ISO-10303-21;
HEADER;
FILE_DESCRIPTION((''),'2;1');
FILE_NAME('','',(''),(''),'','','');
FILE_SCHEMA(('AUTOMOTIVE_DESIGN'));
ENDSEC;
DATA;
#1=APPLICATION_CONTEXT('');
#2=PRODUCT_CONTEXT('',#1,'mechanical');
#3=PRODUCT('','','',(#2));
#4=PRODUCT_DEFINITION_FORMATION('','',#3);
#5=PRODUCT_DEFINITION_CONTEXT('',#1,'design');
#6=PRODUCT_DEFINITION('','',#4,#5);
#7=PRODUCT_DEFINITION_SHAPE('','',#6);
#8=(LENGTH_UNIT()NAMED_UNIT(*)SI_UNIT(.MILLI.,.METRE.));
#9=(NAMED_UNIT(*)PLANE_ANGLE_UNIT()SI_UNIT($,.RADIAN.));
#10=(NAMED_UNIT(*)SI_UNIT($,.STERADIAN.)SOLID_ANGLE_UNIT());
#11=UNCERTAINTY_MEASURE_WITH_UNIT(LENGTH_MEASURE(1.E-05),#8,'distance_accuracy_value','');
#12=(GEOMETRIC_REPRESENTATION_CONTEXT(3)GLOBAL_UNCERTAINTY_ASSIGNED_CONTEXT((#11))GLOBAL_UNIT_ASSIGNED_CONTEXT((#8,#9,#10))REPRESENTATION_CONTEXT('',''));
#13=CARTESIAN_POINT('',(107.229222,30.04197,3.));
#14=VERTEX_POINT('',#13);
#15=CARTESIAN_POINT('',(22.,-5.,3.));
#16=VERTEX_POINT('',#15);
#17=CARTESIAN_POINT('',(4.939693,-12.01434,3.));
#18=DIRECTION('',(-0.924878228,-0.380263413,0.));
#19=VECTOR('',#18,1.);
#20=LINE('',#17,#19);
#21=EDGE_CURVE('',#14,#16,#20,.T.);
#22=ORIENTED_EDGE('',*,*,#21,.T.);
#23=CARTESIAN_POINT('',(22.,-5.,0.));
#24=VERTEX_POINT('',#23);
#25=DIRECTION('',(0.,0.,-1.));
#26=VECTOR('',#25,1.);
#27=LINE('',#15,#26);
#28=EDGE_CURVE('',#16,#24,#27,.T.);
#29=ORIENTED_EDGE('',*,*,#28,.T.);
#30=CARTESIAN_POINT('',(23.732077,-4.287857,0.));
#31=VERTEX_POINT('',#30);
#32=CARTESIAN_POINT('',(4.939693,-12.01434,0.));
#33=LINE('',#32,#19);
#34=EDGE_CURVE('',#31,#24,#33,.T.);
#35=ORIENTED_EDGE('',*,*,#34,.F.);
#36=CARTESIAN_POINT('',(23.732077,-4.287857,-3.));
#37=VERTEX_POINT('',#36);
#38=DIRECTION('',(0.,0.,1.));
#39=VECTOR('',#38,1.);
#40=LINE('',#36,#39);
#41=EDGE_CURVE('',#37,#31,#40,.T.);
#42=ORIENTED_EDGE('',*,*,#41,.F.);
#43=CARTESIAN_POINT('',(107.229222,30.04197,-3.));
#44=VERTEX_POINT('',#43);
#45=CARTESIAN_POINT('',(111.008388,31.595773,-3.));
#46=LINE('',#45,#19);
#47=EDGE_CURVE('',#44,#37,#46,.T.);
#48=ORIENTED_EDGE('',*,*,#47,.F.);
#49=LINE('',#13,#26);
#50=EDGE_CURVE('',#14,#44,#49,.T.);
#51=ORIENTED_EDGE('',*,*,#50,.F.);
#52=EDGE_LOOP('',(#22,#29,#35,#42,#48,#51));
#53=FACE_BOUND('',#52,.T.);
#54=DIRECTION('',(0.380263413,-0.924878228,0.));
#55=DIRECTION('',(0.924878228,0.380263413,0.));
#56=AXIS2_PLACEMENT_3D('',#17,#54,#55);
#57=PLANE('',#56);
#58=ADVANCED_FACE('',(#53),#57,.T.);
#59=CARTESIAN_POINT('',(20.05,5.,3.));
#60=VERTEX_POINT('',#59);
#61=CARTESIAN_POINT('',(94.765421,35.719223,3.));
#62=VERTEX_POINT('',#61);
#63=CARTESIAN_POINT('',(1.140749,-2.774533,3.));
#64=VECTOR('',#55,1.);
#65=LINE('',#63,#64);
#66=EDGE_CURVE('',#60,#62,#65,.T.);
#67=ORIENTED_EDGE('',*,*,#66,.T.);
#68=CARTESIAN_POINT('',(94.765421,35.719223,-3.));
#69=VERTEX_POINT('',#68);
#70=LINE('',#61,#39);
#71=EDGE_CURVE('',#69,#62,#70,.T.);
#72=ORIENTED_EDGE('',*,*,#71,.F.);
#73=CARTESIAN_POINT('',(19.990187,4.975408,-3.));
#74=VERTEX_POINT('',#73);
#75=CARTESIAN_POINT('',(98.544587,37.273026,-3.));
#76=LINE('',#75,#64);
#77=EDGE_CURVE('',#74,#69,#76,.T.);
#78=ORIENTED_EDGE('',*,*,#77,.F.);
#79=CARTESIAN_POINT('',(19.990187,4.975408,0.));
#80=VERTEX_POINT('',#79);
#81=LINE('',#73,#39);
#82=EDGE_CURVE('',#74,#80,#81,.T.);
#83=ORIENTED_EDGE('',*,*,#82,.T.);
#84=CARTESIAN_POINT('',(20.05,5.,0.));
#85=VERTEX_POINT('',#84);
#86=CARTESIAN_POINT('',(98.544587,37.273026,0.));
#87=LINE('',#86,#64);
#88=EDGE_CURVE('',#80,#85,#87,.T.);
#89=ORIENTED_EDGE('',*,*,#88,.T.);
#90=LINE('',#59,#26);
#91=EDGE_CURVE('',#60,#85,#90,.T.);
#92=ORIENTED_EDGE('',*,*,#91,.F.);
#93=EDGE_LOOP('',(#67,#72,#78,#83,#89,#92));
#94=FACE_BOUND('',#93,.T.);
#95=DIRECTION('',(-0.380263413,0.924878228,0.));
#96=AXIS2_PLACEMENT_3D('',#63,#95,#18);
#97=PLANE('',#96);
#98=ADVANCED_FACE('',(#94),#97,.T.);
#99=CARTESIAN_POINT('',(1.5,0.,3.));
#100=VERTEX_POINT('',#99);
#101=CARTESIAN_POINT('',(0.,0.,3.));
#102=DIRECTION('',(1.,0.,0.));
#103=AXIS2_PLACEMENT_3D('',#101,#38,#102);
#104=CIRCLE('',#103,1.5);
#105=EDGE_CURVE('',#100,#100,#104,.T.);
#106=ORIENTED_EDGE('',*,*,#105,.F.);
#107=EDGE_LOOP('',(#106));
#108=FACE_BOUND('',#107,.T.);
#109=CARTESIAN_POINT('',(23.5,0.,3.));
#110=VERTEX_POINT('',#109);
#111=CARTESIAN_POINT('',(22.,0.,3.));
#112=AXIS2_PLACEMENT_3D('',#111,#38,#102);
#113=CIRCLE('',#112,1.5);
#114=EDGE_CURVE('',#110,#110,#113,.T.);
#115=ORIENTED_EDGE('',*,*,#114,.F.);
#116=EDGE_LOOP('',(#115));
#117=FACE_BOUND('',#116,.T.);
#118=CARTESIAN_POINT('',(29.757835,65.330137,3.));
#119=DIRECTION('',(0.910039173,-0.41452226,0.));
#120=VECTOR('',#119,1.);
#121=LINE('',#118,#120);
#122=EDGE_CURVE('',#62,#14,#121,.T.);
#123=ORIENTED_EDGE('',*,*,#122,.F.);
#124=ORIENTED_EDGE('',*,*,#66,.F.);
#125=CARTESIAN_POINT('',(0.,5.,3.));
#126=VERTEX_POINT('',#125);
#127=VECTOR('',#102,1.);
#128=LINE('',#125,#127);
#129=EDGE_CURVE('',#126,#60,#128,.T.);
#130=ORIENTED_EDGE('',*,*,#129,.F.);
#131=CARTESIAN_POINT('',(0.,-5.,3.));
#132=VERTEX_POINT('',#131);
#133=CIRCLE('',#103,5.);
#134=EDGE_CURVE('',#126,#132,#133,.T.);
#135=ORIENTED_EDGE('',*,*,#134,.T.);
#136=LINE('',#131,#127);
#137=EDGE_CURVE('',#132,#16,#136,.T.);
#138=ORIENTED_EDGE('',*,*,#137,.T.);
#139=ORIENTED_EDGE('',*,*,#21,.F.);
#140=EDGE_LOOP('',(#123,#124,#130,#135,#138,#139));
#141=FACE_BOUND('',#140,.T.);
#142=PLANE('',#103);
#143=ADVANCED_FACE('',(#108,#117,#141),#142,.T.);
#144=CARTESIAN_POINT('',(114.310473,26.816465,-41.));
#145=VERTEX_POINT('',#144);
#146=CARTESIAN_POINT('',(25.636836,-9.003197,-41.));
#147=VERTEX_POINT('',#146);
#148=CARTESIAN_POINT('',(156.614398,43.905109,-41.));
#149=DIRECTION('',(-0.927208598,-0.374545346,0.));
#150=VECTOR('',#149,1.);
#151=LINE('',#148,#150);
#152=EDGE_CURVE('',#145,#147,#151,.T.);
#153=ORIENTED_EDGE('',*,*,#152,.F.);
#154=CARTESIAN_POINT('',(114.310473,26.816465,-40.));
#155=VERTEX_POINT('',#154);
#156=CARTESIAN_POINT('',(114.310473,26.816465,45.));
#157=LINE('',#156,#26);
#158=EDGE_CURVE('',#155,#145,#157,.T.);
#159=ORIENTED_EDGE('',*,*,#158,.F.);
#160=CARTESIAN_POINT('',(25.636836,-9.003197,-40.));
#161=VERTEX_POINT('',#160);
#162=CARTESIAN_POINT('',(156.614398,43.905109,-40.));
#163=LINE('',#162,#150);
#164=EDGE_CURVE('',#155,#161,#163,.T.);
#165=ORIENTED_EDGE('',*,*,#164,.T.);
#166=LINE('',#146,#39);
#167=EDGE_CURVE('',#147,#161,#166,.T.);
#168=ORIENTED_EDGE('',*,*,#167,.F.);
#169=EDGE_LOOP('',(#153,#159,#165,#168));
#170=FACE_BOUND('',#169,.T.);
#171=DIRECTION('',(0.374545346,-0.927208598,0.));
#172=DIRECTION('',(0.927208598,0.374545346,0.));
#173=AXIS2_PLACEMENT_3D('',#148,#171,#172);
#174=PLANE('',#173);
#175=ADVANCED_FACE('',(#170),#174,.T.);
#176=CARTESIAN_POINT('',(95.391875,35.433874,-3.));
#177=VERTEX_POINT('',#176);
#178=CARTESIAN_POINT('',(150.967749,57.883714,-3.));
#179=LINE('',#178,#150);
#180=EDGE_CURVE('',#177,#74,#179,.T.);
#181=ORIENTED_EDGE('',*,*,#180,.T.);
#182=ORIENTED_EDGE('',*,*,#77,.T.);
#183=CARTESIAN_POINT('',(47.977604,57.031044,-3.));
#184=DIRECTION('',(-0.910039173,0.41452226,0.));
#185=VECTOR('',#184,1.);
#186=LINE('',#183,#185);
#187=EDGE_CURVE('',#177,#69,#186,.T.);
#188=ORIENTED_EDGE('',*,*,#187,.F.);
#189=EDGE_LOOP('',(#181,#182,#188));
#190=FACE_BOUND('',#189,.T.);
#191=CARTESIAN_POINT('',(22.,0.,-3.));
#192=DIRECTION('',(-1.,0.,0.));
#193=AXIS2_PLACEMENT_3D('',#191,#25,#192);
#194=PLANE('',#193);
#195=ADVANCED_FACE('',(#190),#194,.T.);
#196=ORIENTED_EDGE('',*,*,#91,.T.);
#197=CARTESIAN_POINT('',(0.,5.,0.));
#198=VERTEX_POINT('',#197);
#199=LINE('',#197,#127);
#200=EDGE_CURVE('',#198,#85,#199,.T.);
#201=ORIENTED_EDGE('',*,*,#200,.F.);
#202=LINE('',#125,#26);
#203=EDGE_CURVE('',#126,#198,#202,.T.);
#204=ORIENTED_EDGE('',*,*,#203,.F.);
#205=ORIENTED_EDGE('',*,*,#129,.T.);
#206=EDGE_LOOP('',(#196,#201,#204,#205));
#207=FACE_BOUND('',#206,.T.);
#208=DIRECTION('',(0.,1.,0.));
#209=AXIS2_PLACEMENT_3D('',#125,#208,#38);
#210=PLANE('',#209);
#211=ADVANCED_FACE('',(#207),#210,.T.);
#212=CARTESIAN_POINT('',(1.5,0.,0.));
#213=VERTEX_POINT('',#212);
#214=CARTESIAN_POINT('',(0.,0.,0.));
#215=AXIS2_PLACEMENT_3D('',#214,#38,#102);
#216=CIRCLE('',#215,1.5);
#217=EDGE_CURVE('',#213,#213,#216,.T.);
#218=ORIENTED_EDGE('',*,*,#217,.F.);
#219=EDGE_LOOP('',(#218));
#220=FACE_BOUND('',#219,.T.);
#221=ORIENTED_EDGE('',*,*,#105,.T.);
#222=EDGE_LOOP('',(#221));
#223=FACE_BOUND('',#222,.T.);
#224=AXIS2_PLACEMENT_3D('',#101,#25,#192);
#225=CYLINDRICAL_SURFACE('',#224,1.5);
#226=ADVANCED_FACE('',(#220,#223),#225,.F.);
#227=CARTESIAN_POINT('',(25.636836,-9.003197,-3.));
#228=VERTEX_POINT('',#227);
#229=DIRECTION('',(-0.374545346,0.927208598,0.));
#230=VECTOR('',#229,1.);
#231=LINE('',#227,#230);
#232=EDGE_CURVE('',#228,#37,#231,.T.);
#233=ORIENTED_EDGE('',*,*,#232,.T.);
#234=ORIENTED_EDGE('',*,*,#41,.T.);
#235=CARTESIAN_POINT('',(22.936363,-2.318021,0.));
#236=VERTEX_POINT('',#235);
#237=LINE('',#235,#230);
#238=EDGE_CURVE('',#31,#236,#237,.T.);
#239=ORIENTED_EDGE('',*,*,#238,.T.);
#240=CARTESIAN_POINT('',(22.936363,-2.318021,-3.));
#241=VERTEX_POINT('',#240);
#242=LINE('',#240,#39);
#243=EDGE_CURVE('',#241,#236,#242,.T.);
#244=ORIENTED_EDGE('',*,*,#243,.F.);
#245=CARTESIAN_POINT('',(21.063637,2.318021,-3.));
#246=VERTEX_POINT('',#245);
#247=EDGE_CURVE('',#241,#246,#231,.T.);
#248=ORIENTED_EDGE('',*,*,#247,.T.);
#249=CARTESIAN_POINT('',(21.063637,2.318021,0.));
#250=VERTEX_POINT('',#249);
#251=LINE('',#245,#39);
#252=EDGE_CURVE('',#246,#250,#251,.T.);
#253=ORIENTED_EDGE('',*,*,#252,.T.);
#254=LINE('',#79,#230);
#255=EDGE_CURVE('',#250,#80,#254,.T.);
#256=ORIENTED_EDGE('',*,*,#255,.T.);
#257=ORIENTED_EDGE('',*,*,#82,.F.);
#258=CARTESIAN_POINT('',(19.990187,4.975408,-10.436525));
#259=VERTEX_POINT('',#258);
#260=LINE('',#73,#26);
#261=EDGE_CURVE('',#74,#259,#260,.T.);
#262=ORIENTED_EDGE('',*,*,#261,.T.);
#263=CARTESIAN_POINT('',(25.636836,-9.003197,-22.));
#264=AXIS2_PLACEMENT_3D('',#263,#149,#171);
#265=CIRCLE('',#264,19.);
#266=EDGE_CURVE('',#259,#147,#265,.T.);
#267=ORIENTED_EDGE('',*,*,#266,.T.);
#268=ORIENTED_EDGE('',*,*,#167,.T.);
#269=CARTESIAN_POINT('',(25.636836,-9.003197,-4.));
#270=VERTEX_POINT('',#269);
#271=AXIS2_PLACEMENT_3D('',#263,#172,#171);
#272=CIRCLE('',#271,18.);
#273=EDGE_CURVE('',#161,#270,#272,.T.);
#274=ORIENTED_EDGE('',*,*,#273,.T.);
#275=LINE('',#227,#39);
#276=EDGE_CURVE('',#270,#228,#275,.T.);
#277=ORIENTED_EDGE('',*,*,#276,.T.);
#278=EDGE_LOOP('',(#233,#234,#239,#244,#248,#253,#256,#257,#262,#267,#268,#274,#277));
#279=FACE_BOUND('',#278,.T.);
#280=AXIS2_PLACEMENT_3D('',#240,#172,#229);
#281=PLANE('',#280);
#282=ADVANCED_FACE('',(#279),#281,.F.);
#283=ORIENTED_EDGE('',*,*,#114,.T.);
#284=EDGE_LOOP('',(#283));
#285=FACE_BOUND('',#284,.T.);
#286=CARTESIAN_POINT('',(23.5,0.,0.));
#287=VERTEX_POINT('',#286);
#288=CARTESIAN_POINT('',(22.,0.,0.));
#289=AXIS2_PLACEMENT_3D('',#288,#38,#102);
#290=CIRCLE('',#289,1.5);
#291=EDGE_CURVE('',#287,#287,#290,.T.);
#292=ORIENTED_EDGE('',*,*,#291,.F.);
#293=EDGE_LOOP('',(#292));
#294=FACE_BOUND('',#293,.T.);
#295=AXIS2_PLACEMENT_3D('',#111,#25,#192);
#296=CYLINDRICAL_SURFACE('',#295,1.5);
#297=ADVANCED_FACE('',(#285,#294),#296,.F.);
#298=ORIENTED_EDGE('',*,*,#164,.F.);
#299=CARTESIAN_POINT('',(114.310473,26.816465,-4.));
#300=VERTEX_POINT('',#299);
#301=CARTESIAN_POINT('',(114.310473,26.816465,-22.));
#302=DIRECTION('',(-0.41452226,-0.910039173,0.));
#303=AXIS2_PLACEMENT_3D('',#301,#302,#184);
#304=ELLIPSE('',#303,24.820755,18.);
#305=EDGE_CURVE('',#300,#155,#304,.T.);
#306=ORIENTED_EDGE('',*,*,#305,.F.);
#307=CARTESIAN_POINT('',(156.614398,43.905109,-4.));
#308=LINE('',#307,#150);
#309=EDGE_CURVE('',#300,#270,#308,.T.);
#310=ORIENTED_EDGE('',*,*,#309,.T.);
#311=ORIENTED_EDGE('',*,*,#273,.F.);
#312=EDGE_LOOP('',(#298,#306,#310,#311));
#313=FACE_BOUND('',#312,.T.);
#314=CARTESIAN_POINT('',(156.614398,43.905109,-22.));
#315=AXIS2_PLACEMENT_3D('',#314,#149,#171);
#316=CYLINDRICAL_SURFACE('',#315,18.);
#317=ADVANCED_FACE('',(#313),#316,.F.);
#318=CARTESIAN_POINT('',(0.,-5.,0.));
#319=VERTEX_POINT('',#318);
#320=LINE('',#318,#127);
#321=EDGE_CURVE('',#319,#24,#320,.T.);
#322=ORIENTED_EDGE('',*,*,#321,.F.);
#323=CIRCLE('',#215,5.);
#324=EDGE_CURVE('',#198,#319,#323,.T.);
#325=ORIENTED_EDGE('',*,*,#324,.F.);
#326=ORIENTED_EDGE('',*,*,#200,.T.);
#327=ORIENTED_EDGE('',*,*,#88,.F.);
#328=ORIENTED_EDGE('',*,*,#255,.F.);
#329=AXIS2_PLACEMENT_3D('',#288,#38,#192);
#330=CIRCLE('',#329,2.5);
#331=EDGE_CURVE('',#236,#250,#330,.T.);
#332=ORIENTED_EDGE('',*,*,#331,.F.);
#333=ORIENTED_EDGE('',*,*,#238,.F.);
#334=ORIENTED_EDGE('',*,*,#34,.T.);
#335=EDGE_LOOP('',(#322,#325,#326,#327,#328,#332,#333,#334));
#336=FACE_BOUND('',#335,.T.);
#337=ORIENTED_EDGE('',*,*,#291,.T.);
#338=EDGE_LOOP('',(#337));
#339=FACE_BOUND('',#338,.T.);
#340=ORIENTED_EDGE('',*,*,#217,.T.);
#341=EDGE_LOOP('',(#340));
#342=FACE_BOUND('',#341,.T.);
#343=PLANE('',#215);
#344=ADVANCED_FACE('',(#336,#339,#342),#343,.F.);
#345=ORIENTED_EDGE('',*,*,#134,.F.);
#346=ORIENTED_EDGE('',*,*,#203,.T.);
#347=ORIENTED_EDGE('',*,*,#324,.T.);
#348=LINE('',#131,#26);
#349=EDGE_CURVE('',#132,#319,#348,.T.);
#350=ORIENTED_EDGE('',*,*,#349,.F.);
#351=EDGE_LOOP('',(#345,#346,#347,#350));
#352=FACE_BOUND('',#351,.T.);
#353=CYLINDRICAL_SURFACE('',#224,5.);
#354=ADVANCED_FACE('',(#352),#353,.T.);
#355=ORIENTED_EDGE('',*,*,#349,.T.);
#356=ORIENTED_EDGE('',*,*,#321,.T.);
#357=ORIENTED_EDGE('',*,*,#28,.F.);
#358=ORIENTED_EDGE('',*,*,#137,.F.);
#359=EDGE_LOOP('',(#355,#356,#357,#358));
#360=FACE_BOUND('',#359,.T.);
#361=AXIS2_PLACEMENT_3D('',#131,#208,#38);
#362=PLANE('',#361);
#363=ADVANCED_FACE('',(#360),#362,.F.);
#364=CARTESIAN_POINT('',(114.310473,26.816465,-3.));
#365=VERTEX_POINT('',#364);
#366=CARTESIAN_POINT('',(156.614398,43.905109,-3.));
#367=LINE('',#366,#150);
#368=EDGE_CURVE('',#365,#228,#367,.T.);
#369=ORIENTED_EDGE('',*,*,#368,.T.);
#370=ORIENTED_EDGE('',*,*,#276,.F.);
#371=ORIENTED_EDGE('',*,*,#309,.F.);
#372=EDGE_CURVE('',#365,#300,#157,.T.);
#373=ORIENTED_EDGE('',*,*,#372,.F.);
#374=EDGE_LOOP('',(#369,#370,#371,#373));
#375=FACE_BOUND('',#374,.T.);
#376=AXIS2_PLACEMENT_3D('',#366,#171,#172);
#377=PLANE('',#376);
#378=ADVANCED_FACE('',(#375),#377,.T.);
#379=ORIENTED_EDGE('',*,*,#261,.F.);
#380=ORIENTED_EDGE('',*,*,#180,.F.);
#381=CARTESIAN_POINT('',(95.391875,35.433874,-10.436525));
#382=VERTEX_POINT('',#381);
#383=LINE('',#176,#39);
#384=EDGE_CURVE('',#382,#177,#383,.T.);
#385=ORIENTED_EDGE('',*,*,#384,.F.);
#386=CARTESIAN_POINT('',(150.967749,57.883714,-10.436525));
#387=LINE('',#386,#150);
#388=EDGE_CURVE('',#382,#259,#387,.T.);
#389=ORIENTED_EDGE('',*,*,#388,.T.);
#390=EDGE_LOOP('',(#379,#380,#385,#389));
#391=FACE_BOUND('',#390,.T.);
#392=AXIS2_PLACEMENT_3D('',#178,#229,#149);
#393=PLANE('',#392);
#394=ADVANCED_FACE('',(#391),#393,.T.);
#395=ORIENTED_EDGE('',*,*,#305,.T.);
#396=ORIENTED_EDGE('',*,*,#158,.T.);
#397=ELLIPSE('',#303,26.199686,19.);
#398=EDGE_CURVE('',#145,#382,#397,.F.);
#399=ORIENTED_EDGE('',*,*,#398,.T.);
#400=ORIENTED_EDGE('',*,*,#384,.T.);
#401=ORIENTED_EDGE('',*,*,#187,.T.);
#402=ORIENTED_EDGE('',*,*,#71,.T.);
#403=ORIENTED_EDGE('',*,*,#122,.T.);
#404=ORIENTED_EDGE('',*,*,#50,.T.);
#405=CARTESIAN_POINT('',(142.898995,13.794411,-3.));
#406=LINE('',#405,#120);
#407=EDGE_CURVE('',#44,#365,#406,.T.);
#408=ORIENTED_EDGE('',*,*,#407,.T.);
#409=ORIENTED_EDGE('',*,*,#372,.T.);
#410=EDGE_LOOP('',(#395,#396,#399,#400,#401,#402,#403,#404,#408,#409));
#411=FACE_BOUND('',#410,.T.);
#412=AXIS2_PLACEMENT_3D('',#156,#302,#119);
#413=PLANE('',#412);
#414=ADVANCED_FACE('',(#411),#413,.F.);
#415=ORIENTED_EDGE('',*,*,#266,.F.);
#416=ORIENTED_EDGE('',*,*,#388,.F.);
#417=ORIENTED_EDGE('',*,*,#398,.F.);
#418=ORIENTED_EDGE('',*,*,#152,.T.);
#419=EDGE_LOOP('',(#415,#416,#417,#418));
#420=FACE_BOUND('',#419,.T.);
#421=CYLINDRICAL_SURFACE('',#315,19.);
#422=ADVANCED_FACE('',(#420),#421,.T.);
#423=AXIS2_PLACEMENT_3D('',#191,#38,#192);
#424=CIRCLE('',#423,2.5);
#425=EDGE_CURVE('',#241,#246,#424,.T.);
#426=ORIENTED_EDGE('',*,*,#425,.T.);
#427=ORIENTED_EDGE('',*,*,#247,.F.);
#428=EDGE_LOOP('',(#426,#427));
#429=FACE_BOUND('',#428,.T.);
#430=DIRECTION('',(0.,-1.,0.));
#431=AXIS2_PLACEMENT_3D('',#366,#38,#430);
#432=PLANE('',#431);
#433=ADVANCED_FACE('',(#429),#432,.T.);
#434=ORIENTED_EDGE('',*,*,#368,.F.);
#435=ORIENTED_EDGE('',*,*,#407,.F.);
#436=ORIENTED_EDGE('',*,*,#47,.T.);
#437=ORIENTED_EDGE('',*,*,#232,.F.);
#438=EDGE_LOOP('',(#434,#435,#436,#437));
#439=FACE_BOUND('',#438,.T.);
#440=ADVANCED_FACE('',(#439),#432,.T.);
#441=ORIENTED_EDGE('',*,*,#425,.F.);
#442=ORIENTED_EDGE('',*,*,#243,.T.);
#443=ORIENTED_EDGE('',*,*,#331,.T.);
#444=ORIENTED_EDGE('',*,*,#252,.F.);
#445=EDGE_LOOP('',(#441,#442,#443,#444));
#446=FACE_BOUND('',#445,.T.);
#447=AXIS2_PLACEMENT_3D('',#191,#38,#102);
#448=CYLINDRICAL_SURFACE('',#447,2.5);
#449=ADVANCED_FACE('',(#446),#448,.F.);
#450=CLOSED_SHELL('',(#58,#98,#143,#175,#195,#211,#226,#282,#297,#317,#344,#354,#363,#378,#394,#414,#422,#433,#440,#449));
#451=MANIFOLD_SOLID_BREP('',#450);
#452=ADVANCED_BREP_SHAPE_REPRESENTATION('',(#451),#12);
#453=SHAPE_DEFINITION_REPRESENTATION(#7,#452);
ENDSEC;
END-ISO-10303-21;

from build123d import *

# Parameters (mm, degrees)
SKETCH1_R           = 1.5
BOSS_EXTRUDE1_DEPTH = 3
EXTRUDE_1_DEPTH     = 3
EXTRUDE_2_DEPTH     = 3
EXTRUDE_3_REACH     = 100.745
CUT_EXTRUDE_1_DEPTH = 45


with BuildPart() as part:
    # Sketch1 → Boss-Extrude1 (new body)
    # profile 1 of 2: a face of its own
    with BuildSketch(Plane.XY):
        with BuildLine():
            Line((20.05, 5), (0, 5))
            ThreePointArc((0, 5), (-5, 0), (0, -5))
            Line((0, -5), (22, -5))
            Line((22, -5), (25.516973514, -3.553997369))
            ThreePointArc((25.516973514, -3.553997369), (26.624391141, 1.901317064), (22, 5))
            Line((22, 5), (20.05, 5))
        make_face()
        Circle(SKETCH1_R, mode=Mode.SUBTRACT)
        with Locations((22, 0)):
            Circle(SKETCH1_R, mode=Mode.SUBTRACT)
    # profile 2 of 2: a face of its own
    with BuildSketch(Plane.XY):
        with BuildLine():
            Line((46.409029503, 15.837507263), (20.05, 5))
            Line((20.05, 5), (22, 5))
            ThreePointArc((22, 5), (26.624391141, 1.901317064), (25.516973514, -3.553997369))
            Line((25.516973514, -3.553997369), (48.359029503, 5.837507263))
            Line((48.359029503, 5.837507263), (58.872830999, 10.16025367))
            Line((58.872830999, 10.16025367), (53.359871826, 12.67140304))
            Line((53.359871826, 12.67140304), (46.409029503, 15.837507263))
        make_face()
    extrude(amount=BOSS_EXTRUDE1_DEPTH)

    # 草图1 → 凸台-拉伸1 (add)
    with BuildSketch(Plane.XY.offset(3)):
        Polygon((46.409029503, 15.837507263), (58.872830999, 10.16025367), (111.008388469, 31.59577286), (98.544586973, 37.273026453), align=None)
    extrude(amount=-EXTRUDE_1_DEPTH)

    # 草图4 → 凸台-拉伸2 (add)
    with BuildSketch(Plane(origin=(0, 0, 0), x_dir=(-1, 0, 0), z_dir=(0, 0, -1))):
        with BuildLine():
            Line((-111.008388469, 31.59577286), (-98.544586973, 37.273026453))
            Line((-98.544586973, 37.273026453), (-19.990187018, 4.97540791))
            Line((-19.990187018, 4.97540791), (-21.063636635, 2.318021494))
            ThreePointArc((-21.063636635, 2.318021494), (-24.318021494, 0.936363365), (-22.936363365, -2.318021494))
            Line((-22.936363365, -2.318021494), (-23.732077199, -4.287856967))
            Line((-23.732077199, -4.287856967), (-111.008388469, 31.59577286))
        make_face()
    extrude(amount=EXTRUDE_2_DEPTH)

    # 凸台-拉伸3: up to this plane
    extrude_3_end = Plane(origin=(98.544586973, 37.273026453, -70.058401543), z_dir=(0.4145222599320868, 0.9100391727946636, 0))
    # 草图5 → 凸台-拉伸3 (add, up to the surface)
    with BuildSketch(Plane(origin=(18.913747244, 7.640196631, 0), x_dir=(0.3745453459539944, -0.9272085977945863, 0), z_dir=(-0.9272085977945863, -0.3745453459539944, 0)), mode=Mode.PRIVATE) as extrude_3_sk1:
        with BuildLine():
            Line((17.949999281, -3), (17.949999281, -4))
            ThreePointArc((17.949999281, -4), (-0.050000719, -22), (17.949999281, -40))
            Line((17.949999281, -40), (17.949999281, -41))
            ThreePointArc((17.949999281, -41), (0.910251194, -30.405176091), (2.873990521, -10.43652475))
            Line((2.873990521, -10.43652475), (2.873990521, -3))
            Line((2.873990521, -3), (17.949999281, -3))
        make_face()
    extrude_3_tool1 = split(extrude(extrude_3_sk1.sketch, amount=-EXTRUDE_3_REACH, mode=Mode.PRIVATE), bisect_by=extrude_3_end, keep=Keep.BOTH, mode=Mode.PRIVATE)
    add(extrude_3_tool1.solids().sort_by_distance((20.149314, 4.581481, -6.718262))[0])

    # 草图6 → 切除-拉伸1 (cut, symmetric)
    with BuildSketch(Plane(origin=(0, 0, 0), x_dir=(-1, 0, 0), z_dir=(0, 0, -1))):
        Polygon((-118.12130065, 28.35584592), (-94.278560376, 39.216198833), (-90.467733039, 37.676817461), (-114.310473313, 26.816464549), align=None)
    extrude(amount=CUT_EXTRUDE_1_DEPTH, both=True, mode=Mode.SUBTRACT)


solid = part.part
